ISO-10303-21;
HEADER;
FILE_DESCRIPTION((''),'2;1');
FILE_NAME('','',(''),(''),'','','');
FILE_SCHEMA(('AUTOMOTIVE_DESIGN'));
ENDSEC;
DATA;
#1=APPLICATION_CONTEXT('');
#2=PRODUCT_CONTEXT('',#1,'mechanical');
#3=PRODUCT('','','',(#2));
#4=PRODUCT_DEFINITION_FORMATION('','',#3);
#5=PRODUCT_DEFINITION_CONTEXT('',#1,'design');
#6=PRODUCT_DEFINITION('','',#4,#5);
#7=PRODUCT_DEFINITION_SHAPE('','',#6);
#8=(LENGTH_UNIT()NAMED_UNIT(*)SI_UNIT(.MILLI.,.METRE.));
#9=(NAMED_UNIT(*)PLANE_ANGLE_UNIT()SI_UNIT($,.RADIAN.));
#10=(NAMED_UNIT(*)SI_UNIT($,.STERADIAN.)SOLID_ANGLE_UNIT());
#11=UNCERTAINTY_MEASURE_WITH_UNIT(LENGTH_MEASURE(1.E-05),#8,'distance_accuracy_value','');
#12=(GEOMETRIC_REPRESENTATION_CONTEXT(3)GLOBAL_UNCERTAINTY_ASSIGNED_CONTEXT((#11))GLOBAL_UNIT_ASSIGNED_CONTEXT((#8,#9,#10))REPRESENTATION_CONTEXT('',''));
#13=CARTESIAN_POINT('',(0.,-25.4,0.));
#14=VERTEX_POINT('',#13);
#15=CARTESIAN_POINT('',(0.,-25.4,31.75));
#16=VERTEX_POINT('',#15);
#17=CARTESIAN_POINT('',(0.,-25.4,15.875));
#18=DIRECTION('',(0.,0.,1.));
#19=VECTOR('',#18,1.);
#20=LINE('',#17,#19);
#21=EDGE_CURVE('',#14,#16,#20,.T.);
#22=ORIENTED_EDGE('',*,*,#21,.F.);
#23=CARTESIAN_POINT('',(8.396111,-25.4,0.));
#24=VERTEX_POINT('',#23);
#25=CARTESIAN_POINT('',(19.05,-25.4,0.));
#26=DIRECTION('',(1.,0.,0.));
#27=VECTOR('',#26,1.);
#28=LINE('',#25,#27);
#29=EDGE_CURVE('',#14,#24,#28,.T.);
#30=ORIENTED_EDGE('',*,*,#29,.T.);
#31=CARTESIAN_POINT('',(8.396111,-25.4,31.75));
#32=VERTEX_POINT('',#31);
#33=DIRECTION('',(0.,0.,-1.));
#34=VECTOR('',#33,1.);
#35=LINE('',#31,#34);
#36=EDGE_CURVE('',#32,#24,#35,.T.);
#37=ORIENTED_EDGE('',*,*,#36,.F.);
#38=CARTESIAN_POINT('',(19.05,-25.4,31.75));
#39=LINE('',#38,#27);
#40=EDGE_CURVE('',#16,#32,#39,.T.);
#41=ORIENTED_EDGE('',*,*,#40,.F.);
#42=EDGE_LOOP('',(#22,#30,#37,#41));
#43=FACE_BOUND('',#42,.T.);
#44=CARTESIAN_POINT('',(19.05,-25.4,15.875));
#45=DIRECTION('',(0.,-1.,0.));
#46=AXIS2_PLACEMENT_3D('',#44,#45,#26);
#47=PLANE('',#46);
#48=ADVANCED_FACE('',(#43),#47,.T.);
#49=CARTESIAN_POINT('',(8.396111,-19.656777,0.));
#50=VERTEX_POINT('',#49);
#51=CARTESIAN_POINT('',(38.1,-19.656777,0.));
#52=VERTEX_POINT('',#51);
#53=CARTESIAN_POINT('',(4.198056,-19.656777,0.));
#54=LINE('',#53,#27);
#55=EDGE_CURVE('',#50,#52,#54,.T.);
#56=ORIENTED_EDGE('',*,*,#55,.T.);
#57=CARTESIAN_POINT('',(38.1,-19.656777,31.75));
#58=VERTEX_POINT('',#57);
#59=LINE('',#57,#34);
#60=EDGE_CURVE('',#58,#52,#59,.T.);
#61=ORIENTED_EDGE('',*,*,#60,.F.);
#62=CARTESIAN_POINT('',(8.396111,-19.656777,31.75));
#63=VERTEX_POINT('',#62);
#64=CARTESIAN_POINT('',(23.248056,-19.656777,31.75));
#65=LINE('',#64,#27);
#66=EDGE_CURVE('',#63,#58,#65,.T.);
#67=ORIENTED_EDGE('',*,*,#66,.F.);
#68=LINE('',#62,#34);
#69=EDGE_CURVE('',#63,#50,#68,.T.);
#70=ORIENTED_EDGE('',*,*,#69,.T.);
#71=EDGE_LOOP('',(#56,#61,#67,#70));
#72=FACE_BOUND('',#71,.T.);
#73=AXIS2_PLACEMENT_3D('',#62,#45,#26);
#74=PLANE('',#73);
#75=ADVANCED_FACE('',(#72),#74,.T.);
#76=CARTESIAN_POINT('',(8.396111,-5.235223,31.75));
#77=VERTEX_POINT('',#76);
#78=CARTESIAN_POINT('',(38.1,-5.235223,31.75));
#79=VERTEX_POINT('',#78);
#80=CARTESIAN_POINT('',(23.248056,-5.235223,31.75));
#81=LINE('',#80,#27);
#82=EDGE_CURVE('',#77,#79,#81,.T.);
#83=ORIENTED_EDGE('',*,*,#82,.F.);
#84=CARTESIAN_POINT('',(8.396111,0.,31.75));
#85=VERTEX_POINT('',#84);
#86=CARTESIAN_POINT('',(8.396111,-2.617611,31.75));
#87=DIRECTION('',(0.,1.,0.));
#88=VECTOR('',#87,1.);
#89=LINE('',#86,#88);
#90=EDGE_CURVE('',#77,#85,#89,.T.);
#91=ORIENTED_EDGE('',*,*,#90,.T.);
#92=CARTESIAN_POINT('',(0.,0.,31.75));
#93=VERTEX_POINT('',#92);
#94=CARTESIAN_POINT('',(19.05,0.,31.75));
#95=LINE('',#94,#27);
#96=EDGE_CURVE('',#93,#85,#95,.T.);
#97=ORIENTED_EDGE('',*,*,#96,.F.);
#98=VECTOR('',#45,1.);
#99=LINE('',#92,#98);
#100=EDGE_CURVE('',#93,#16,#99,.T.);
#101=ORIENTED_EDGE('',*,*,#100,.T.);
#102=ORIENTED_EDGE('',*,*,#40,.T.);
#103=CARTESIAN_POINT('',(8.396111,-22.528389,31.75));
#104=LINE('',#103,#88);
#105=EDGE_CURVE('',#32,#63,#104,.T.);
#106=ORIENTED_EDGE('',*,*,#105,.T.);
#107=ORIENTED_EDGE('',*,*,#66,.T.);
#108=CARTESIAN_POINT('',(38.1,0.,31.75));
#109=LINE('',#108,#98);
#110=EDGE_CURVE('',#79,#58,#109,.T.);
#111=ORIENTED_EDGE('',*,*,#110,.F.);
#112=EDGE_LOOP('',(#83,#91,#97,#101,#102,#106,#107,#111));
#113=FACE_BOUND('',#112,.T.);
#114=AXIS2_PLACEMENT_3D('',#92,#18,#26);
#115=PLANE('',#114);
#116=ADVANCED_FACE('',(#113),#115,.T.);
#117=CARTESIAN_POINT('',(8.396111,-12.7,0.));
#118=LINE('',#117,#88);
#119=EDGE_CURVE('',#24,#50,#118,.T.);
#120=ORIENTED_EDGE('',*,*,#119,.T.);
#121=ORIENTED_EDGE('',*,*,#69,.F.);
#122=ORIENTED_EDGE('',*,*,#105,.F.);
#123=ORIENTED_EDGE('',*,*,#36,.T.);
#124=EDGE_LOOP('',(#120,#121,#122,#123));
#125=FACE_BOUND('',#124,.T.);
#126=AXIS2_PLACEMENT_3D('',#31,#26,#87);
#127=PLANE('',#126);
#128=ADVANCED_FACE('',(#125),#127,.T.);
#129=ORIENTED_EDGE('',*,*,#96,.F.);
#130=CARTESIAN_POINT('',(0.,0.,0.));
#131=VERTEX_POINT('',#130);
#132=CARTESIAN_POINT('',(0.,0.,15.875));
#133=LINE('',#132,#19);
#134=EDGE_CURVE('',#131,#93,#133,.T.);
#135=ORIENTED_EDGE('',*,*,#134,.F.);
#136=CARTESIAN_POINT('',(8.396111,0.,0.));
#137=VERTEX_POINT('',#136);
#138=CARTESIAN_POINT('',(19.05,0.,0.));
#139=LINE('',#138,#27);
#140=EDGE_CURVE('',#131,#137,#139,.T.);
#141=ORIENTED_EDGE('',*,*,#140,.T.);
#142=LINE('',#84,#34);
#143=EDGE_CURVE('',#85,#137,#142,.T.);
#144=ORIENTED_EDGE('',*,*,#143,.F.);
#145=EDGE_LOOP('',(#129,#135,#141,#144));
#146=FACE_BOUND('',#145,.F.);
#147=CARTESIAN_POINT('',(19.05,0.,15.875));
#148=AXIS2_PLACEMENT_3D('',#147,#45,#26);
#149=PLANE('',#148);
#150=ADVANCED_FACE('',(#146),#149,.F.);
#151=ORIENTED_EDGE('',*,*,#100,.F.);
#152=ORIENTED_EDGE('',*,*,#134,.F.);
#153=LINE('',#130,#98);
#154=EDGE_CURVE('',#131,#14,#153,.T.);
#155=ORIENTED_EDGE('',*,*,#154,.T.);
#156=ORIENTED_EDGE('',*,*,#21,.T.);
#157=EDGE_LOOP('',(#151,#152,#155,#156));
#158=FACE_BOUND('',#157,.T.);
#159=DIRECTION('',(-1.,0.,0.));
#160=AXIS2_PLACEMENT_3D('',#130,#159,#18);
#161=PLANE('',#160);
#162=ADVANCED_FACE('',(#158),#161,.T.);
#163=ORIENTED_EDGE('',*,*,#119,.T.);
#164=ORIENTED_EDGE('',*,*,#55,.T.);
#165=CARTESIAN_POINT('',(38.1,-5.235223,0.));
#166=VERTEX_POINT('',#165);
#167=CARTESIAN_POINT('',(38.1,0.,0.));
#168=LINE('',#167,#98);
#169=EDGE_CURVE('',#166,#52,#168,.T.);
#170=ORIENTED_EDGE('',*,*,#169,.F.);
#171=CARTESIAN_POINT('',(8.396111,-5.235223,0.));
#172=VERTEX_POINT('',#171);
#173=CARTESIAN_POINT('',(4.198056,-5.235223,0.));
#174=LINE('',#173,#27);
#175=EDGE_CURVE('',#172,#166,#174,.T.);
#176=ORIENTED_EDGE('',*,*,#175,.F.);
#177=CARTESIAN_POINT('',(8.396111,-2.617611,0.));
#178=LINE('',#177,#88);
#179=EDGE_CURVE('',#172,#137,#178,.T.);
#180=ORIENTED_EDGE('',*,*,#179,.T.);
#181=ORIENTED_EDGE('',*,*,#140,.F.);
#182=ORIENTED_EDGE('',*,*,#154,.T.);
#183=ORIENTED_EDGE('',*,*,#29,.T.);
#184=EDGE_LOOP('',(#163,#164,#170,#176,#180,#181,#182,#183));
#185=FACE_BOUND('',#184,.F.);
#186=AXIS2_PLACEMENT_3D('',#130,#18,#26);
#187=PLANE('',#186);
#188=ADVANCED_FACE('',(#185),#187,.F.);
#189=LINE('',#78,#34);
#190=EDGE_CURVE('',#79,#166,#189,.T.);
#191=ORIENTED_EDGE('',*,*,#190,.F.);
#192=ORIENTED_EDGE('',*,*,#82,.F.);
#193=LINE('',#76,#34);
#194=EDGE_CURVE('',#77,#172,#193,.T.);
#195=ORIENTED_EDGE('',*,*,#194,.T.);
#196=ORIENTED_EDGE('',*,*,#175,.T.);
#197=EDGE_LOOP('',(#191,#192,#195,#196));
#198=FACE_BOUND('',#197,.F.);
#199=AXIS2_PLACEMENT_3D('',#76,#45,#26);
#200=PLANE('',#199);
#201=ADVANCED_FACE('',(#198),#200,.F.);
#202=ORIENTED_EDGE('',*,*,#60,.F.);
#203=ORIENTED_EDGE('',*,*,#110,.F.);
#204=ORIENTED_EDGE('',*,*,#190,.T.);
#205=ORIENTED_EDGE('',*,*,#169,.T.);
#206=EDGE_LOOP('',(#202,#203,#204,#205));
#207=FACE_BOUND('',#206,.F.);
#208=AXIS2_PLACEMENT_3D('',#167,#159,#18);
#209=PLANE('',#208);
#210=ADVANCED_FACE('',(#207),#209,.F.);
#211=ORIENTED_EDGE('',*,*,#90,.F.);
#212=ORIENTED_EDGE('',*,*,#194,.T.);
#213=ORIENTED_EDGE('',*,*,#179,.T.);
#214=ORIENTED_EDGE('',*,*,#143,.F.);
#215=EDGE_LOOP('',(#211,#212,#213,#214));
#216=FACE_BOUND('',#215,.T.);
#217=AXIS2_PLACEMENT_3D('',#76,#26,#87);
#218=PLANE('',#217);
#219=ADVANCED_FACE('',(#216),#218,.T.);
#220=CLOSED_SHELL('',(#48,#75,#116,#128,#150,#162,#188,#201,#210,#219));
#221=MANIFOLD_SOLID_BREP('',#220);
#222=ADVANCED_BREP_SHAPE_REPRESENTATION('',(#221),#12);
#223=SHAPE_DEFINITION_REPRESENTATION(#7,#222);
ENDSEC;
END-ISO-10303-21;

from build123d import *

# Parameters (mm, degrees)
F0_W     = 38.1
F0_H     = 31.75
F1_DEPTH = 25.4
F2_W     = 29.7038885713
F2_H     = 5.2352226339
F2_H_2   = 5.7432226181
F3_DEPTH = 31.751


with BuildPart() as f1:
    # F0 (on Front) → F1 (new body)
    with BuildSketch(Plane.XZ):
        with Locations((19.05, 15.875)):
            Rectangle(F0_W, F0_H)
    extrude(amount=F1_DEPTH)

    # F2 (on face) → F3 (cut, through all)
    with BuildSketch(Plane.XY.offset(31.75)):
        with Locations((23.2480557144, -2.617611317)):
            Rectangle(F2_W, F2_H)
        with Locations((23.2480557144, -22.5283886909)):
            Rectangle(F2_W, F2_H_2)
    extrude(amount=-F3_DEPTH, mode=Mode.SUBTRACT)


solid = f1.part
